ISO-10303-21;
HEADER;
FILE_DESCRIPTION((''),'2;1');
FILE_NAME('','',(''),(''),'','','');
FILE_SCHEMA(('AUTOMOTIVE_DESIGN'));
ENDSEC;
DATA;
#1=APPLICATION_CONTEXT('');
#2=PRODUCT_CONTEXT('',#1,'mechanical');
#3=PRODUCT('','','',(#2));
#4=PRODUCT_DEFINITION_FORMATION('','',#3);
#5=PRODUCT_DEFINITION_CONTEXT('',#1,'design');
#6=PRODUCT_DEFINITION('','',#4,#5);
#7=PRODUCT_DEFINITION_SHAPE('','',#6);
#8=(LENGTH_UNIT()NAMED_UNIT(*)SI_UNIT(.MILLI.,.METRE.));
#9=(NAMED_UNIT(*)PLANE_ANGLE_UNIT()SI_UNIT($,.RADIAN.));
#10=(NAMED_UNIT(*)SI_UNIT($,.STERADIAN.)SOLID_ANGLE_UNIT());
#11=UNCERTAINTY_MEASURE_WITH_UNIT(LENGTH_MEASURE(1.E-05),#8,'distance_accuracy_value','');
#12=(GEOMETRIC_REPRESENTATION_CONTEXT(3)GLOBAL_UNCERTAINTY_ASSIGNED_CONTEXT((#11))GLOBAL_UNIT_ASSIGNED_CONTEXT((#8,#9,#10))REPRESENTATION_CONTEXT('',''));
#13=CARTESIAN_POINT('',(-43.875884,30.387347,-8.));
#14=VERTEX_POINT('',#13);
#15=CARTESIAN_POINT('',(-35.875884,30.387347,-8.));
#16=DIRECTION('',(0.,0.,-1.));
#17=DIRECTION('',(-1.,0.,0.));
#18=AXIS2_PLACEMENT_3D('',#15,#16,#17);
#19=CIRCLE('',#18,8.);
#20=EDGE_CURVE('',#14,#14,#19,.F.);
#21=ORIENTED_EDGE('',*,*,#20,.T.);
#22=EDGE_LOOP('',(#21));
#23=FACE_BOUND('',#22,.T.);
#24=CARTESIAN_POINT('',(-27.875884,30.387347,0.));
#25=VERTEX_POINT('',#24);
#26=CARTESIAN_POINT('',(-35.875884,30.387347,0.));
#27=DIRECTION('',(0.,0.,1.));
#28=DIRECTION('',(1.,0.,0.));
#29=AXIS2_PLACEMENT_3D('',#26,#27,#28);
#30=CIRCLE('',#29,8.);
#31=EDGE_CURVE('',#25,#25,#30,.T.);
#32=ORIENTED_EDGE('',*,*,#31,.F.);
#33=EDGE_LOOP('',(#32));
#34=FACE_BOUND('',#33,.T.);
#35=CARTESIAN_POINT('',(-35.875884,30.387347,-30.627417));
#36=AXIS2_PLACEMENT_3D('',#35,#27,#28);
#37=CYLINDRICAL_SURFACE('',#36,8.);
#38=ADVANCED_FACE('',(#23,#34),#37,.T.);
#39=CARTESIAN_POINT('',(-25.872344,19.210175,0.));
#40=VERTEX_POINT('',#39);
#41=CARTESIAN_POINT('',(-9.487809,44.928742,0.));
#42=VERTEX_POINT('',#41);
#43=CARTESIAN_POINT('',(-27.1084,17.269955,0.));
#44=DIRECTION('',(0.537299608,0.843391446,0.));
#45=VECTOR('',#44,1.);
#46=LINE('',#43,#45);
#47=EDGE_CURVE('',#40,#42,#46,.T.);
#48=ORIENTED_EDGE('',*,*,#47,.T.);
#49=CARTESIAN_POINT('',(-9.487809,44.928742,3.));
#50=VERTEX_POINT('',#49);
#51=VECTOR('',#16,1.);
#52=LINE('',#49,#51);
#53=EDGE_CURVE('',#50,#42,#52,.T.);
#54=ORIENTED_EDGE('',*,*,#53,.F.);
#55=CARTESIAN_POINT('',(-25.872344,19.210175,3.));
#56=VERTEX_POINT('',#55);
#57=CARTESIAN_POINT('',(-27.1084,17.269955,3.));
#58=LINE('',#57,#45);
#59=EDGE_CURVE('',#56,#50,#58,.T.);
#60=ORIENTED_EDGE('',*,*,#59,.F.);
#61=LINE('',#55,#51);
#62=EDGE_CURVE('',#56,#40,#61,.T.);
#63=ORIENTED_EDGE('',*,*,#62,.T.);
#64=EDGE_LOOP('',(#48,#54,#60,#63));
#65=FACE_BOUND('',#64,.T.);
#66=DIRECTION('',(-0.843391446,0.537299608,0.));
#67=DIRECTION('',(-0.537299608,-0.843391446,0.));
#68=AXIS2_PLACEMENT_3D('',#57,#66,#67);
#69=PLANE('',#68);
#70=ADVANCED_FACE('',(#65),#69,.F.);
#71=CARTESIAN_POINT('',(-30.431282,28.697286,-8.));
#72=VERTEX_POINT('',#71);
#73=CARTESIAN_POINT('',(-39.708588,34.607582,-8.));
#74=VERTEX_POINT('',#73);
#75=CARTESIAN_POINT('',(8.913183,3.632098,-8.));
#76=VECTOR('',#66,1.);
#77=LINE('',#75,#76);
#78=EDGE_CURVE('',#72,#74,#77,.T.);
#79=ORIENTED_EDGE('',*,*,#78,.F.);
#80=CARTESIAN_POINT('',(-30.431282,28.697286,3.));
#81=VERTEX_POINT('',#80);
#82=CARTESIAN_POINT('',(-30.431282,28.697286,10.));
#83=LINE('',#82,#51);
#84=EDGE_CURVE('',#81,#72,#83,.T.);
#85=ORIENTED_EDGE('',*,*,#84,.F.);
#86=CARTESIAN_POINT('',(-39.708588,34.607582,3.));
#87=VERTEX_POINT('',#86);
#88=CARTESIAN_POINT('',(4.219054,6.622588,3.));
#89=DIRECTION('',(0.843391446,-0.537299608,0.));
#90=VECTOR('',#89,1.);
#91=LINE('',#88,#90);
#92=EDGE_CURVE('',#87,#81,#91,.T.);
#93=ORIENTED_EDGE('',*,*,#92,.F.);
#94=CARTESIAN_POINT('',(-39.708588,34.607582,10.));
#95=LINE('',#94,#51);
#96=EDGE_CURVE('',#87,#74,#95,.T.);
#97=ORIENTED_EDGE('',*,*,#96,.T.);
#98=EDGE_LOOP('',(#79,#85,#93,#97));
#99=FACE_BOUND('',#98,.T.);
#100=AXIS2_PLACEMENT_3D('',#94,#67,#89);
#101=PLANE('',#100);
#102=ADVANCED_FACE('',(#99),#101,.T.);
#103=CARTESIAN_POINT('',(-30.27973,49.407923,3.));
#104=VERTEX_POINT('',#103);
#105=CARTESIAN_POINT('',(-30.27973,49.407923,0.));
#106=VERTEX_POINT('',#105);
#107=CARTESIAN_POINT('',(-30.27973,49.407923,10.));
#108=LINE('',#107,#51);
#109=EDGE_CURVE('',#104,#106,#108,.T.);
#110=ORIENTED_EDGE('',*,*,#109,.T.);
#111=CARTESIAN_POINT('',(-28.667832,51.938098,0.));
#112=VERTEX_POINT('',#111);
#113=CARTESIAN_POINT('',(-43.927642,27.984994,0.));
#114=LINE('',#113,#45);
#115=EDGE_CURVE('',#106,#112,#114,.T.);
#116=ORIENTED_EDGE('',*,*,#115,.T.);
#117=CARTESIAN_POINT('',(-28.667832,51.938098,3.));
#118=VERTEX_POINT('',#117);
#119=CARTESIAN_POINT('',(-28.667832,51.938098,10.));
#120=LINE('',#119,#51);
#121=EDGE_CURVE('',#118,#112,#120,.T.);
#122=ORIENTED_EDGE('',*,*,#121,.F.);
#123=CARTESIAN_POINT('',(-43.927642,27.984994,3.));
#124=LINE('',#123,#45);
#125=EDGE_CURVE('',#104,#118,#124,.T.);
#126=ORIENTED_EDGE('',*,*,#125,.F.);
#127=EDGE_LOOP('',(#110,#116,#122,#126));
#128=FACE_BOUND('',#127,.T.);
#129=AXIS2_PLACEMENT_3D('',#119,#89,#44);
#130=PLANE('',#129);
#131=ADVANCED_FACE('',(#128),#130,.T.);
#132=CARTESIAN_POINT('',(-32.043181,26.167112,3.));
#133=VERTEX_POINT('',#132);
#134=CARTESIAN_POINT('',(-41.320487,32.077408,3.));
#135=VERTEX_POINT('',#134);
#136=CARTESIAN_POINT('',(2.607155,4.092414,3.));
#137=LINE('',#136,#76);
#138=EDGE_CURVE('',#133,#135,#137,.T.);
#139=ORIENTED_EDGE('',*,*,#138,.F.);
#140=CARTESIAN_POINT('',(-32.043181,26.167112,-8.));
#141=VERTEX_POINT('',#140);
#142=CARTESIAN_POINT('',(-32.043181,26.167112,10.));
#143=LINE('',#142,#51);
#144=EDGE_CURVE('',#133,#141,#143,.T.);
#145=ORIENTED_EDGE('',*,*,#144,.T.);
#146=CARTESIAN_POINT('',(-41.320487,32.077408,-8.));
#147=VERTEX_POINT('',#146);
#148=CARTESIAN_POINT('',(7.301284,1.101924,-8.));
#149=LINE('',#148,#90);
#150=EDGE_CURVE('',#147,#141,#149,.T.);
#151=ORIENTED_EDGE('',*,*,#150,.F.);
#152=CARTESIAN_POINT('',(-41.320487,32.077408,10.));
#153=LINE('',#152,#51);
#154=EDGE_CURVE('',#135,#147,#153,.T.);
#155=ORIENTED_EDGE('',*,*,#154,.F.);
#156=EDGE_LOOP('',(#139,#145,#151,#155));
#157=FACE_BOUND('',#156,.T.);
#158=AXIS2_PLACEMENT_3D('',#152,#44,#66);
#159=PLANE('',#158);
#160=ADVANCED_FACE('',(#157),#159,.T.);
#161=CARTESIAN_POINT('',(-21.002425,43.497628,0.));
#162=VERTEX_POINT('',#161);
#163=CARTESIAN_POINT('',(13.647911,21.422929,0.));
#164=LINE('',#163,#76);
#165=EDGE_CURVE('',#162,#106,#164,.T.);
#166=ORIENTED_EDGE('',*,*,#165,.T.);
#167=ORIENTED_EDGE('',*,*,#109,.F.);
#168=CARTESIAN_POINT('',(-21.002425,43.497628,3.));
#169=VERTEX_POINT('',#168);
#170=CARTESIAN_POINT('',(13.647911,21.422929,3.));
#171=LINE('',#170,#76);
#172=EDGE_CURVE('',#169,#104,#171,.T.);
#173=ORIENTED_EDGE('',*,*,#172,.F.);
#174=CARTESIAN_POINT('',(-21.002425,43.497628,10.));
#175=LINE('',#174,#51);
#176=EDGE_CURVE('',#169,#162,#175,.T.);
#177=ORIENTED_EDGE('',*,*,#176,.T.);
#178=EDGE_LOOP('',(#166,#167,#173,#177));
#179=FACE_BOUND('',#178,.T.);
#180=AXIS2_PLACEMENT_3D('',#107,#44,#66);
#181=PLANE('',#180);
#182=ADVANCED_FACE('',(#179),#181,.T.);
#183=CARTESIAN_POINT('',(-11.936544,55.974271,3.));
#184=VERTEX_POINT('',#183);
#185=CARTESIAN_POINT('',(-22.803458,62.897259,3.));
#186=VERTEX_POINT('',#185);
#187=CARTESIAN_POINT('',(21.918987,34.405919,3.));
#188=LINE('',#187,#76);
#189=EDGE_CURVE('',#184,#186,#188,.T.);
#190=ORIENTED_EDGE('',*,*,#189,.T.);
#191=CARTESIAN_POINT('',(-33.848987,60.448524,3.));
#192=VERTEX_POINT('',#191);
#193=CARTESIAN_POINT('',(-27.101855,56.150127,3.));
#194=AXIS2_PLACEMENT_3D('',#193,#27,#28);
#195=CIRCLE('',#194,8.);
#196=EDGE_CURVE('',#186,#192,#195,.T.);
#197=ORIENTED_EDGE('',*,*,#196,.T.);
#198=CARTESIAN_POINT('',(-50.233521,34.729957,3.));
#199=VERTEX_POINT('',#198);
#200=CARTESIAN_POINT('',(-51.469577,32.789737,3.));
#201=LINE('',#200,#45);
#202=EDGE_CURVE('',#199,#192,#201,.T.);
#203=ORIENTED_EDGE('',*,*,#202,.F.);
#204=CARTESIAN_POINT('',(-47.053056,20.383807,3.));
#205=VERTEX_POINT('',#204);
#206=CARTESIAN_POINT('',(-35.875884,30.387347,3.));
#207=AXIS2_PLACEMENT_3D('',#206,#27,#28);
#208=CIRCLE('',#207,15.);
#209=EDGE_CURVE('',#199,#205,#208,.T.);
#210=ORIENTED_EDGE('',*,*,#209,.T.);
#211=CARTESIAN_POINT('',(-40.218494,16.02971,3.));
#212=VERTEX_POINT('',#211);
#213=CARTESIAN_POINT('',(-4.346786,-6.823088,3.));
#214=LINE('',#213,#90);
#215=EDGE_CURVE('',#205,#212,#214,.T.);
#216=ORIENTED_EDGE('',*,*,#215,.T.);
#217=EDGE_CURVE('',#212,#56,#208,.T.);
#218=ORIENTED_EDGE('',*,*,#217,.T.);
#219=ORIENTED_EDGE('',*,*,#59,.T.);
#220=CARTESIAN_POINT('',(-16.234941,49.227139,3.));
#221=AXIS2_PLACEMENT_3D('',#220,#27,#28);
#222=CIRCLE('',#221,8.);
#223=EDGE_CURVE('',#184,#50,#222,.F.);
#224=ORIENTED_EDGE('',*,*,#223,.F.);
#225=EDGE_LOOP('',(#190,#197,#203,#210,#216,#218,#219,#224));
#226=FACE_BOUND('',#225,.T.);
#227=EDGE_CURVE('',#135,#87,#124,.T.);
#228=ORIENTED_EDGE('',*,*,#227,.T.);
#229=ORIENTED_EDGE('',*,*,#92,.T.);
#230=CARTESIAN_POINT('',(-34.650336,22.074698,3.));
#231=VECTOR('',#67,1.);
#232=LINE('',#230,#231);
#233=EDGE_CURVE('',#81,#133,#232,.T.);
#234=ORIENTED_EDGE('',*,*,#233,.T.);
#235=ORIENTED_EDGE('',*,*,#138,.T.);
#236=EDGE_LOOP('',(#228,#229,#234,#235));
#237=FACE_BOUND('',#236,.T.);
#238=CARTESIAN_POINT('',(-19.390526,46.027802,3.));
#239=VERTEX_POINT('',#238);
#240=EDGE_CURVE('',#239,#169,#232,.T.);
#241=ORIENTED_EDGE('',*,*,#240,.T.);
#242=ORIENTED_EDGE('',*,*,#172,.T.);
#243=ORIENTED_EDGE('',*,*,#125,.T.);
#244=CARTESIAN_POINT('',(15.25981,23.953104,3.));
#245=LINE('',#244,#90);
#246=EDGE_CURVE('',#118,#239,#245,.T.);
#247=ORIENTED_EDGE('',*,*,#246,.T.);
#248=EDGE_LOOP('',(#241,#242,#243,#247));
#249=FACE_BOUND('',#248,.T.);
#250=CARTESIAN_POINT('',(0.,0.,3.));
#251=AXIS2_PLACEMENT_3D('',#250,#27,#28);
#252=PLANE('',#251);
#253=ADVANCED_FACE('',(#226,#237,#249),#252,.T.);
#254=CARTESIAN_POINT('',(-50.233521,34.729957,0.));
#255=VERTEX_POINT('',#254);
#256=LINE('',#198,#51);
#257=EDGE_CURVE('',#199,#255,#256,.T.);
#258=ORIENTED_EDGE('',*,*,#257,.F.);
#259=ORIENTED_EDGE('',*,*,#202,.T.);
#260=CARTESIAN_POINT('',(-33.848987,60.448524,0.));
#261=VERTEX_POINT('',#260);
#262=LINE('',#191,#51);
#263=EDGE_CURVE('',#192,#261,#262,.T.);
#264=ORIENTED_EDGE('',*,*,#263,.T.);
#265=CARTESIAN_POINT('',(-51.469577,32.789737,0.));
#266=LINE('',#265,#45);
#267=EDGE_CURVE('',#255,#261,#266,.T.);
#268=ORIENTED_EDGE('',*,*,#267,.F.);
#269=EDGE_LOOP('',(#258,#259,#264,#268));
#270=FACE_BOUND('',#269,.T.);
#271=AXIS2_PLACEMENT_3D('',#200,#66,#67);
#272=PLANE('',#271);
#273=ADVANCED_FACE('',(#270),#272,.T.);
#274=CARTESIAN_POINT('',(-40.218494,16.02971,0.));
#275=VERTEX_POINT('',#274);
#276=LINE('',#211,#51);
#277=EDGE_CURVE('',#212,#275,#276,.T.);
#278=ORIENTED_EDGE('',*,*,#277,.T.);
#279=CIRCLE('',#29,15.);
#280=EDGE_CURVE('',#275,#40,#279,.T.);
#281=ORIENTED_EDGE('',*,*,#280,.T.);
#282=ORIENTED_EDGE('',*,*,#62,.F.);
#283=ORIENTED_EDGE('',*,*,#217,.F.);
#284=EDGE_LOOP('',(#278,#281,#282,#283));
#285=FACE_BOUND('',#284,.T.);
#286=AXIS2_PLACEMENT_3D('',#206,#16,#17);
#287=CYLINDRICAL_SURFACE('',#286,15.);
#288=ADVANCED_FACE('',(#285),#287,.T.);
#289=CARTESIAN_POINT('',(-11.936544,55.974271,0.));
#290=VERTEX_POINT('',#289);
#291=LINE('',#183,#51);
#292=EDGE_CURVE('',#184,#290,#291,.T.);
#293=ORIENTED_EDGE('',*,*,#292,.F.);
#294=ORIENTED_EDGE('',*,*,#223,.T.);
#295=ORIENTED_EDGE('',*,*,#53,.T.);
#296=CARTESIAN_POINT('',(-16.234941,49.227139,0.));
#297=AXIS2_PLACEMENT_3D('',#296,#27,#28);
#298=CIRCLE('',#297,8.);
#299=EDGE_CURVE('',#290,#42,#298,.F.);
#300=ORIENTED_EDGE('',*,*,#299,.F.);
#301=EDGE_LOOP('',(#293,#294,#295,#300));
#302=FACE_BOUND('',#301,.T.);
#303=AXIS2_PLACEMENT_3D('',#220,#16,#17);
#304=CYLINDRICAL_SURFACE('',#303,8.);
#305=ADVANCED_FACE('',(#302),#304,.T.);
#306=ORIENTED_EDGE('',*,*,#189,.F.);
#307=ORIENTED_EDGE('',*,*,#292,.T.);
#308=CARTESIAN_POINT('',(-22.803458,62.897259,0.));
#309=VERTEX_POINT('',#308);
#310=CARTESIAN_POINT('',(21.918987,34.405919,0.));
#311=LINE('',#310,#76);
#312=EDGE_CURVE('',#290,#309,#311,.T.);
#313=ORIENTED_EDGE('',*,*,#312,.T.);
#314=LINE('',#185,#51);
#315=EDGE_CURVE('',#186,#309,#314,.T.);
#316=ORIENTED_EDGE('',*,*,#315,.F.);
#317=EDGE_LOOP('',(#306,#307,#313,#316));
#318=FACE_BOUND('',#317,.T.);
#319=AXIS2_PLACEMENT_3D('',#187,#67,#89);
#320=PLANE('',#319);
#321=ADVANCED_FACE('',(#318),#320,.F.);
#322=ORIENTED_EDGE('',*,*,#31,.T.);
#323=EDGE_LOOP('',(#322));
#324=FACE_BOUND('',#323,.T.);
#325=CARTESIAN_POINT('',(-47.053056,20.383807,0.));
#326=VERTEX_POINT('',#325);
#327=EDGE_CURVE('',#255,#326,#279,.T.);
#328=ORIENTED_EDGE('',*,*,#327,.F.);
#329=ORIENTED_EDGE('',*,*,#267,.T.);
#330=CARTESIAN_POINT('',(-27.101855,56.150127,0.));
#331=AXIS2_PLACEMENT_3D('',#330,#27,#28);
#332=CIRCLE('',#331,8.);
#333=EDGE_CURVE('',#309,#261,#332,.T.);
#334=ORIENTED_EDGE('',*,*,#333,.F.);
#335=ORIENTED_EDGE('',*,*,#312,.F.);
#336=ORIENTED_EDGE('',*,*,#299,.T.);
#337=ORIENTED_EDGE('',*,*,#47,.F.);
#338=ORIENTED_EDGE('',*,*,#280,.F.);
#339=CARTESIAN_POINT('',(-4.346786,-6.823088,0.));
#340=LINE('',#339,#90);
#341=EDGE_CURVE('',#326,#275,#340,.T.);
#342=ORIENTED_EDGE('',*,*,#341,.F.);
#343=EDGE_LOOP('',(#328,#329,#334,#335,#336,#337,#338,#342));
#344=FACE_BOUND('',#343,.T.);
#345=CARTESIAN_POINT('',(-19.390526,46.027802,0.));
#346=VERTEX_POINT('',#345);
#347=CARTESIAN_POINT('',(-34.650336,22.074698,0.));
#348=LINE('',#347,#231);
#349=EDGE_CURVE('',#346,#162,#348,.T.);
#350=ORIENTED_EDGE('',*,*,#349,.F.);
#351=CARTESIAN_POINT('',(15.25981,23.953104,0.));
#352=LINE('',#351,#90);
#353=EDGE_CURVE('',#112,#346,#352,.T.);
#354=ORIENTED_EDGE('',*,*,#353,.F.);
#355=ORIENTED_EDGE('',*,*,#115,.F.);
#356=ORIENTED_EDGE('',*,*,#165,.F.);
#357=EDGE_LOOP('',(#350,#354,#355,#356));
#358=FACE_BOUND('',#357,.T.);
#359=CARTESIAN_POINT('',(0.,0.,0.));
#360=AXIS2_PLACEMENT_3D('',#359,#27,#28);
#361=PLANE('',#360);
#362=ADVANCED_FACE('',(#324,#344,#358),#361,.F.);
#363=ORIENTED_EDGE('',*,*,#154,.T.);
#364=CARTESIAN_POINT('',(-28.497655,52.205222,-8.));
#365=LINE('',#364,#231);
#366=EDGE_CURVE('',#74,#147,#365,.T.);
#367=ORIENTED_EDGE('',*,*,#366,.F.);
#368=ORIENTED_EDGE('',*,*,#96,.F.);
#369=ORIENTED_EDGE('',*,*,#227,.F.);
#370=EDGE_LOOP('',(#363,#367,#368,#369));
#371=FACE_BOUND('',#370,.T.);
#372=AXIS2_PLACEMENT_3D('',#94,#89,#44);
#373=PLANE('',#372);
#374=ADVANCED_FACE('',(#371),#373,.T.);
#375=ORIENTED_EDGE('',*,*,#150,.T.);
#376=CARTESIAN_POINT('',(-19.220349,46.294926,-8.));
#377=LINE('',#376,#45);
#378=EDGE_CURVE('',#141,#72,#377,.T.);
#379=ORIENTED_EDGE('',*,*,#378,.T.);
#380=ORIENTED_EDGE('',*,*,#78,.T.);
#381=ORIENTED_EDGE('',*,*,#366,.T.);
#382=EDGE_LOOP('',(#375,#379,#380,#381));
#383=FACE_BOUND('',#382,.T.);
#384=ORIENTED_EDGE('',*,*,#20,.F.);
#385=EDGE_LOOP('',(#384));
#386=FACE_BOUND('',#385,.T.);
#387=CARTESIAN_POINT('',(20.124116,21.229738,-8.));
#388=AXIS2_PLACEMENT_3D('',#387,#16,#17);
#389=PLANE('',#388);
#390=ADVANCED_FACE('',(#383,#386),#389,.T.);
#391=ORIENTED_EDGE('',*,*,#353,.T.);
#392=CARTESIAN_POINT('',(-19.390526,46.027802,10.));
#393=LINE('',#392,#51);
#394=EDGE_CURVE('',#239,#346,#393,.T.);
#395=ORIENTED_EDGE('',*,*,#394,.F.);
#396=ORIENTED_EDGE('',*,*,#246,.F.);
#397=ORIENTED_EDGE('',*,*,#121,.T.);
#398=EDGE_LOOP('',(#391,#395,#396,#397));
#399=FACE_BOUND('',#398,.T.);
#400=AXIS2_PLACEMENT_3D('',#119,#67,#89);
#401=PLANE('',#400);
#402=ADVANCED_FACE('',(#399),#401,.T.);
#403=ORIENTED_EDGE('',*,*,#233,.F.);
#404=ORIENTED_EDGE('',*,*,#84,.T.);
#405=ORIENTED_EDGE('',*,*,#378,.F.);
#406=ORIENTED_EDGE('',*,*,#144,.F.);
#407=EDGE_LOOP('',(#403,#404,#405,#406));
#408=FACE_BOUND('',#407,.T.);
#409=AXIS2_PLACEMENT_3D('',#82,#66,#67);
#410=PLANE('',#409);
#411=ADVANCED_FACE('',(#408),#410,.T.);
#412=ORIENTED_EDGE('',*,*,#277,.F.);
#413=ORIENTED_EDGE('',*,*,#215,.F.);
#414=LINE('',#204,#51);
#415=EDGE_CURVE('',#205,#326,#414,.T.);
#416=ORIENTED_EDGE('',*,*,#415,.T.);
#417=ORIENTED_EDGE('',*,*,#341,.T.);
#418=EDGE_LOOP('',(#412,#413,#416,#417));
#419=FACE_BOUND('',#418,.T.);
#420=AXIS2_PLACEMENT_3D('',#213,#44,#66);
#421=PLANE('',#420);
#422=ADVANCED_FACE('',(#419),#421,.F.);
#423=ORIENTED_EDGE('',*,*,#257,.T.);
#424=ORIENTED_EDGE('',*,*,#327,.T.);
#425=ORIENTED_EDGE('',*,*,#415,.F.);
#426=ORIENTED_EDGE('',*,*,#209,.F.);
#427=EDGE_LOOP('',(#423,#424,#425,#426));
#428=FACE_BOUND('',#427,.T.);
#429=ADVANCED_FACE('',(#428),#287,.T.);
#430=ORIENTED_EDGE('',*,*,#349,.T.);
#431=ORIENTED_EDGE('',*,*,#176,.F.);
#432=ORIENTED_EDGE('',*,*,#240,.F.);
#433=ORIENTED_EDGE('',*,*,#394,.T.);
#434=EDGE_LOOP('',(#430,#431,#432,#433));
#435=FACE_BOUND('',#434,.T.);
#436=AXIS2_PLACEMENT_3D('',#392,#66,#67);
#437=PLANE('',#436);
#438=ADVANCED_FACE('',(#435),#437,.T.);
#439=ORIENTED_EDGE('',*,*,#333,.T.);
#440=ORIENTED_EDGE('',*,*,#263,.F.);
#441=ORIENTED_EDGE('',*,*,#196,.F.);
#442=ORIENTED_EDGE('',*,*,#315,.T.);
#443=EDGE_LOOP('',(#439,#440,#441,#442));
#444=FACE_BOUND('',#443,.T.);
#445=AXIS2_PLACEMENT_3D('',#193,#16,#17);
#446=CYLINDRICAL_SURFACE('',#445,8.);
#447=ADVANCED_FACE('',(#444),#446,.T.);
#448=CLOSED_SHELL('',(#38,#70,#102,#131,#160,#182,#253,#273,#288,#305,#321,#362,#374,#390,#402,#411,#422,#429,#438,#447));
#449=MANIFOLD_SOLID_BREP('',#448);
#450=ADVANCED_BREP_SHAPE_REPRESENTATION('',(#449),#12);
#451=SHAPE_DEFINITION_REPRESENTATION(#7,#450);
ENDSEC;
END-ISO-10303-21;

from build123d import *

# Parameters (mm, degrees)
CROQUIS1_R                 = 8
SALIENTE_EXTRUIR1_DEPTH    = 8
SALIENTE_EXTRUIR2_DEPTH    = 3
CORTAR_EXTRUIR1_DEPTH      = 10
CORTAR_EXTRUIR1_DEPTH_BACK = 10


with BuildPart() as part:
    # Croquis1 → Saliente-Extruir1 (new body)
    with BuildSketch(Plane.XY):
        with Locations((-35.87588422, 30.387347076)):
            Circle(CROQUIS1_R)
    extrude(amount=-SALIENTE_EXTRUIR1_DEPTH)

    # Croquis2 → Saliente-Extruir2 (add)
    with BuildSketch(Plane.XY):
        with BuildLine():
            Line((-33.848986828, 60.448524076), (-45.879424714, 41.56451924))
            Line((-45.879424714, 41.56451924), (-50.233521284, 34.729956653))
            ThreePointArc((-50.233521284, 34.729956653), (-50.520324327, 27.140752867), (-47.053056384, 20.383806582))
            Line((-47.053056384, 20.383806582), (-40.218493797, 16.029710012))
            ThreePointArc((-40.218493797, 16.029710012), (-32.629290011, 15.74290697), (-25.872343726, 19.210174912))
            Line((-25.872343726, 19.210174912), (-21.518247156, 26.044737499))
            Line((-21.518247156, 26.044737499), (-9.48780927, 44.928742335))
            ThreePointArc((-9.48780927, 44.928742335), (-8.42457278, 50.958656113), (-11.93654397, 55.974270768))
            Line((-11.93654397, 55.974270768), (-13.952719889, 57.258716487))
            Line((-13.952719889, 57.258716487), (-20.787282476, 61.612813057))
            Line((-20.787282476, 61.612813057), (-22.803458395, 62.897258775))
            ThreePointArc((-22.803458395, 62.897258775), (-28.833372173, 63.960495266), (-33.848986828, 60.448524076))
        make_face()
    extrude(amount=SALIENTE_EXTRUIR2_DEPTH)

    # Croquis5 → Cortar-Extruir1 (cut, two sides)
    with BuildSketch(Plane.XY) as cortar_extruir1_sk:
        Polygon((-19.390525704, 46.02780209), (-21.002424529, 43.497627753), (-30.279730433, 49.407923445), (-28.667831608, 51.938097782), align=None)
        Polygon((-30.431281855, 28.697286399), (-32.04318068, 26.167112062), (-41.320486584, 32.077407754), (-39.708587759, 34.607582091), align=None)
    extrude(amount=CORTAR_EXTRUIR1_DEPTH, mode=Mode.SUBTRACT)
    extrude(cortar_extruir1_sk.sketch, amount=-CORTAR_EXTRUIR1_DEPTH_BACK, mode=Mode.SUBTRACT)


solid = part.part
